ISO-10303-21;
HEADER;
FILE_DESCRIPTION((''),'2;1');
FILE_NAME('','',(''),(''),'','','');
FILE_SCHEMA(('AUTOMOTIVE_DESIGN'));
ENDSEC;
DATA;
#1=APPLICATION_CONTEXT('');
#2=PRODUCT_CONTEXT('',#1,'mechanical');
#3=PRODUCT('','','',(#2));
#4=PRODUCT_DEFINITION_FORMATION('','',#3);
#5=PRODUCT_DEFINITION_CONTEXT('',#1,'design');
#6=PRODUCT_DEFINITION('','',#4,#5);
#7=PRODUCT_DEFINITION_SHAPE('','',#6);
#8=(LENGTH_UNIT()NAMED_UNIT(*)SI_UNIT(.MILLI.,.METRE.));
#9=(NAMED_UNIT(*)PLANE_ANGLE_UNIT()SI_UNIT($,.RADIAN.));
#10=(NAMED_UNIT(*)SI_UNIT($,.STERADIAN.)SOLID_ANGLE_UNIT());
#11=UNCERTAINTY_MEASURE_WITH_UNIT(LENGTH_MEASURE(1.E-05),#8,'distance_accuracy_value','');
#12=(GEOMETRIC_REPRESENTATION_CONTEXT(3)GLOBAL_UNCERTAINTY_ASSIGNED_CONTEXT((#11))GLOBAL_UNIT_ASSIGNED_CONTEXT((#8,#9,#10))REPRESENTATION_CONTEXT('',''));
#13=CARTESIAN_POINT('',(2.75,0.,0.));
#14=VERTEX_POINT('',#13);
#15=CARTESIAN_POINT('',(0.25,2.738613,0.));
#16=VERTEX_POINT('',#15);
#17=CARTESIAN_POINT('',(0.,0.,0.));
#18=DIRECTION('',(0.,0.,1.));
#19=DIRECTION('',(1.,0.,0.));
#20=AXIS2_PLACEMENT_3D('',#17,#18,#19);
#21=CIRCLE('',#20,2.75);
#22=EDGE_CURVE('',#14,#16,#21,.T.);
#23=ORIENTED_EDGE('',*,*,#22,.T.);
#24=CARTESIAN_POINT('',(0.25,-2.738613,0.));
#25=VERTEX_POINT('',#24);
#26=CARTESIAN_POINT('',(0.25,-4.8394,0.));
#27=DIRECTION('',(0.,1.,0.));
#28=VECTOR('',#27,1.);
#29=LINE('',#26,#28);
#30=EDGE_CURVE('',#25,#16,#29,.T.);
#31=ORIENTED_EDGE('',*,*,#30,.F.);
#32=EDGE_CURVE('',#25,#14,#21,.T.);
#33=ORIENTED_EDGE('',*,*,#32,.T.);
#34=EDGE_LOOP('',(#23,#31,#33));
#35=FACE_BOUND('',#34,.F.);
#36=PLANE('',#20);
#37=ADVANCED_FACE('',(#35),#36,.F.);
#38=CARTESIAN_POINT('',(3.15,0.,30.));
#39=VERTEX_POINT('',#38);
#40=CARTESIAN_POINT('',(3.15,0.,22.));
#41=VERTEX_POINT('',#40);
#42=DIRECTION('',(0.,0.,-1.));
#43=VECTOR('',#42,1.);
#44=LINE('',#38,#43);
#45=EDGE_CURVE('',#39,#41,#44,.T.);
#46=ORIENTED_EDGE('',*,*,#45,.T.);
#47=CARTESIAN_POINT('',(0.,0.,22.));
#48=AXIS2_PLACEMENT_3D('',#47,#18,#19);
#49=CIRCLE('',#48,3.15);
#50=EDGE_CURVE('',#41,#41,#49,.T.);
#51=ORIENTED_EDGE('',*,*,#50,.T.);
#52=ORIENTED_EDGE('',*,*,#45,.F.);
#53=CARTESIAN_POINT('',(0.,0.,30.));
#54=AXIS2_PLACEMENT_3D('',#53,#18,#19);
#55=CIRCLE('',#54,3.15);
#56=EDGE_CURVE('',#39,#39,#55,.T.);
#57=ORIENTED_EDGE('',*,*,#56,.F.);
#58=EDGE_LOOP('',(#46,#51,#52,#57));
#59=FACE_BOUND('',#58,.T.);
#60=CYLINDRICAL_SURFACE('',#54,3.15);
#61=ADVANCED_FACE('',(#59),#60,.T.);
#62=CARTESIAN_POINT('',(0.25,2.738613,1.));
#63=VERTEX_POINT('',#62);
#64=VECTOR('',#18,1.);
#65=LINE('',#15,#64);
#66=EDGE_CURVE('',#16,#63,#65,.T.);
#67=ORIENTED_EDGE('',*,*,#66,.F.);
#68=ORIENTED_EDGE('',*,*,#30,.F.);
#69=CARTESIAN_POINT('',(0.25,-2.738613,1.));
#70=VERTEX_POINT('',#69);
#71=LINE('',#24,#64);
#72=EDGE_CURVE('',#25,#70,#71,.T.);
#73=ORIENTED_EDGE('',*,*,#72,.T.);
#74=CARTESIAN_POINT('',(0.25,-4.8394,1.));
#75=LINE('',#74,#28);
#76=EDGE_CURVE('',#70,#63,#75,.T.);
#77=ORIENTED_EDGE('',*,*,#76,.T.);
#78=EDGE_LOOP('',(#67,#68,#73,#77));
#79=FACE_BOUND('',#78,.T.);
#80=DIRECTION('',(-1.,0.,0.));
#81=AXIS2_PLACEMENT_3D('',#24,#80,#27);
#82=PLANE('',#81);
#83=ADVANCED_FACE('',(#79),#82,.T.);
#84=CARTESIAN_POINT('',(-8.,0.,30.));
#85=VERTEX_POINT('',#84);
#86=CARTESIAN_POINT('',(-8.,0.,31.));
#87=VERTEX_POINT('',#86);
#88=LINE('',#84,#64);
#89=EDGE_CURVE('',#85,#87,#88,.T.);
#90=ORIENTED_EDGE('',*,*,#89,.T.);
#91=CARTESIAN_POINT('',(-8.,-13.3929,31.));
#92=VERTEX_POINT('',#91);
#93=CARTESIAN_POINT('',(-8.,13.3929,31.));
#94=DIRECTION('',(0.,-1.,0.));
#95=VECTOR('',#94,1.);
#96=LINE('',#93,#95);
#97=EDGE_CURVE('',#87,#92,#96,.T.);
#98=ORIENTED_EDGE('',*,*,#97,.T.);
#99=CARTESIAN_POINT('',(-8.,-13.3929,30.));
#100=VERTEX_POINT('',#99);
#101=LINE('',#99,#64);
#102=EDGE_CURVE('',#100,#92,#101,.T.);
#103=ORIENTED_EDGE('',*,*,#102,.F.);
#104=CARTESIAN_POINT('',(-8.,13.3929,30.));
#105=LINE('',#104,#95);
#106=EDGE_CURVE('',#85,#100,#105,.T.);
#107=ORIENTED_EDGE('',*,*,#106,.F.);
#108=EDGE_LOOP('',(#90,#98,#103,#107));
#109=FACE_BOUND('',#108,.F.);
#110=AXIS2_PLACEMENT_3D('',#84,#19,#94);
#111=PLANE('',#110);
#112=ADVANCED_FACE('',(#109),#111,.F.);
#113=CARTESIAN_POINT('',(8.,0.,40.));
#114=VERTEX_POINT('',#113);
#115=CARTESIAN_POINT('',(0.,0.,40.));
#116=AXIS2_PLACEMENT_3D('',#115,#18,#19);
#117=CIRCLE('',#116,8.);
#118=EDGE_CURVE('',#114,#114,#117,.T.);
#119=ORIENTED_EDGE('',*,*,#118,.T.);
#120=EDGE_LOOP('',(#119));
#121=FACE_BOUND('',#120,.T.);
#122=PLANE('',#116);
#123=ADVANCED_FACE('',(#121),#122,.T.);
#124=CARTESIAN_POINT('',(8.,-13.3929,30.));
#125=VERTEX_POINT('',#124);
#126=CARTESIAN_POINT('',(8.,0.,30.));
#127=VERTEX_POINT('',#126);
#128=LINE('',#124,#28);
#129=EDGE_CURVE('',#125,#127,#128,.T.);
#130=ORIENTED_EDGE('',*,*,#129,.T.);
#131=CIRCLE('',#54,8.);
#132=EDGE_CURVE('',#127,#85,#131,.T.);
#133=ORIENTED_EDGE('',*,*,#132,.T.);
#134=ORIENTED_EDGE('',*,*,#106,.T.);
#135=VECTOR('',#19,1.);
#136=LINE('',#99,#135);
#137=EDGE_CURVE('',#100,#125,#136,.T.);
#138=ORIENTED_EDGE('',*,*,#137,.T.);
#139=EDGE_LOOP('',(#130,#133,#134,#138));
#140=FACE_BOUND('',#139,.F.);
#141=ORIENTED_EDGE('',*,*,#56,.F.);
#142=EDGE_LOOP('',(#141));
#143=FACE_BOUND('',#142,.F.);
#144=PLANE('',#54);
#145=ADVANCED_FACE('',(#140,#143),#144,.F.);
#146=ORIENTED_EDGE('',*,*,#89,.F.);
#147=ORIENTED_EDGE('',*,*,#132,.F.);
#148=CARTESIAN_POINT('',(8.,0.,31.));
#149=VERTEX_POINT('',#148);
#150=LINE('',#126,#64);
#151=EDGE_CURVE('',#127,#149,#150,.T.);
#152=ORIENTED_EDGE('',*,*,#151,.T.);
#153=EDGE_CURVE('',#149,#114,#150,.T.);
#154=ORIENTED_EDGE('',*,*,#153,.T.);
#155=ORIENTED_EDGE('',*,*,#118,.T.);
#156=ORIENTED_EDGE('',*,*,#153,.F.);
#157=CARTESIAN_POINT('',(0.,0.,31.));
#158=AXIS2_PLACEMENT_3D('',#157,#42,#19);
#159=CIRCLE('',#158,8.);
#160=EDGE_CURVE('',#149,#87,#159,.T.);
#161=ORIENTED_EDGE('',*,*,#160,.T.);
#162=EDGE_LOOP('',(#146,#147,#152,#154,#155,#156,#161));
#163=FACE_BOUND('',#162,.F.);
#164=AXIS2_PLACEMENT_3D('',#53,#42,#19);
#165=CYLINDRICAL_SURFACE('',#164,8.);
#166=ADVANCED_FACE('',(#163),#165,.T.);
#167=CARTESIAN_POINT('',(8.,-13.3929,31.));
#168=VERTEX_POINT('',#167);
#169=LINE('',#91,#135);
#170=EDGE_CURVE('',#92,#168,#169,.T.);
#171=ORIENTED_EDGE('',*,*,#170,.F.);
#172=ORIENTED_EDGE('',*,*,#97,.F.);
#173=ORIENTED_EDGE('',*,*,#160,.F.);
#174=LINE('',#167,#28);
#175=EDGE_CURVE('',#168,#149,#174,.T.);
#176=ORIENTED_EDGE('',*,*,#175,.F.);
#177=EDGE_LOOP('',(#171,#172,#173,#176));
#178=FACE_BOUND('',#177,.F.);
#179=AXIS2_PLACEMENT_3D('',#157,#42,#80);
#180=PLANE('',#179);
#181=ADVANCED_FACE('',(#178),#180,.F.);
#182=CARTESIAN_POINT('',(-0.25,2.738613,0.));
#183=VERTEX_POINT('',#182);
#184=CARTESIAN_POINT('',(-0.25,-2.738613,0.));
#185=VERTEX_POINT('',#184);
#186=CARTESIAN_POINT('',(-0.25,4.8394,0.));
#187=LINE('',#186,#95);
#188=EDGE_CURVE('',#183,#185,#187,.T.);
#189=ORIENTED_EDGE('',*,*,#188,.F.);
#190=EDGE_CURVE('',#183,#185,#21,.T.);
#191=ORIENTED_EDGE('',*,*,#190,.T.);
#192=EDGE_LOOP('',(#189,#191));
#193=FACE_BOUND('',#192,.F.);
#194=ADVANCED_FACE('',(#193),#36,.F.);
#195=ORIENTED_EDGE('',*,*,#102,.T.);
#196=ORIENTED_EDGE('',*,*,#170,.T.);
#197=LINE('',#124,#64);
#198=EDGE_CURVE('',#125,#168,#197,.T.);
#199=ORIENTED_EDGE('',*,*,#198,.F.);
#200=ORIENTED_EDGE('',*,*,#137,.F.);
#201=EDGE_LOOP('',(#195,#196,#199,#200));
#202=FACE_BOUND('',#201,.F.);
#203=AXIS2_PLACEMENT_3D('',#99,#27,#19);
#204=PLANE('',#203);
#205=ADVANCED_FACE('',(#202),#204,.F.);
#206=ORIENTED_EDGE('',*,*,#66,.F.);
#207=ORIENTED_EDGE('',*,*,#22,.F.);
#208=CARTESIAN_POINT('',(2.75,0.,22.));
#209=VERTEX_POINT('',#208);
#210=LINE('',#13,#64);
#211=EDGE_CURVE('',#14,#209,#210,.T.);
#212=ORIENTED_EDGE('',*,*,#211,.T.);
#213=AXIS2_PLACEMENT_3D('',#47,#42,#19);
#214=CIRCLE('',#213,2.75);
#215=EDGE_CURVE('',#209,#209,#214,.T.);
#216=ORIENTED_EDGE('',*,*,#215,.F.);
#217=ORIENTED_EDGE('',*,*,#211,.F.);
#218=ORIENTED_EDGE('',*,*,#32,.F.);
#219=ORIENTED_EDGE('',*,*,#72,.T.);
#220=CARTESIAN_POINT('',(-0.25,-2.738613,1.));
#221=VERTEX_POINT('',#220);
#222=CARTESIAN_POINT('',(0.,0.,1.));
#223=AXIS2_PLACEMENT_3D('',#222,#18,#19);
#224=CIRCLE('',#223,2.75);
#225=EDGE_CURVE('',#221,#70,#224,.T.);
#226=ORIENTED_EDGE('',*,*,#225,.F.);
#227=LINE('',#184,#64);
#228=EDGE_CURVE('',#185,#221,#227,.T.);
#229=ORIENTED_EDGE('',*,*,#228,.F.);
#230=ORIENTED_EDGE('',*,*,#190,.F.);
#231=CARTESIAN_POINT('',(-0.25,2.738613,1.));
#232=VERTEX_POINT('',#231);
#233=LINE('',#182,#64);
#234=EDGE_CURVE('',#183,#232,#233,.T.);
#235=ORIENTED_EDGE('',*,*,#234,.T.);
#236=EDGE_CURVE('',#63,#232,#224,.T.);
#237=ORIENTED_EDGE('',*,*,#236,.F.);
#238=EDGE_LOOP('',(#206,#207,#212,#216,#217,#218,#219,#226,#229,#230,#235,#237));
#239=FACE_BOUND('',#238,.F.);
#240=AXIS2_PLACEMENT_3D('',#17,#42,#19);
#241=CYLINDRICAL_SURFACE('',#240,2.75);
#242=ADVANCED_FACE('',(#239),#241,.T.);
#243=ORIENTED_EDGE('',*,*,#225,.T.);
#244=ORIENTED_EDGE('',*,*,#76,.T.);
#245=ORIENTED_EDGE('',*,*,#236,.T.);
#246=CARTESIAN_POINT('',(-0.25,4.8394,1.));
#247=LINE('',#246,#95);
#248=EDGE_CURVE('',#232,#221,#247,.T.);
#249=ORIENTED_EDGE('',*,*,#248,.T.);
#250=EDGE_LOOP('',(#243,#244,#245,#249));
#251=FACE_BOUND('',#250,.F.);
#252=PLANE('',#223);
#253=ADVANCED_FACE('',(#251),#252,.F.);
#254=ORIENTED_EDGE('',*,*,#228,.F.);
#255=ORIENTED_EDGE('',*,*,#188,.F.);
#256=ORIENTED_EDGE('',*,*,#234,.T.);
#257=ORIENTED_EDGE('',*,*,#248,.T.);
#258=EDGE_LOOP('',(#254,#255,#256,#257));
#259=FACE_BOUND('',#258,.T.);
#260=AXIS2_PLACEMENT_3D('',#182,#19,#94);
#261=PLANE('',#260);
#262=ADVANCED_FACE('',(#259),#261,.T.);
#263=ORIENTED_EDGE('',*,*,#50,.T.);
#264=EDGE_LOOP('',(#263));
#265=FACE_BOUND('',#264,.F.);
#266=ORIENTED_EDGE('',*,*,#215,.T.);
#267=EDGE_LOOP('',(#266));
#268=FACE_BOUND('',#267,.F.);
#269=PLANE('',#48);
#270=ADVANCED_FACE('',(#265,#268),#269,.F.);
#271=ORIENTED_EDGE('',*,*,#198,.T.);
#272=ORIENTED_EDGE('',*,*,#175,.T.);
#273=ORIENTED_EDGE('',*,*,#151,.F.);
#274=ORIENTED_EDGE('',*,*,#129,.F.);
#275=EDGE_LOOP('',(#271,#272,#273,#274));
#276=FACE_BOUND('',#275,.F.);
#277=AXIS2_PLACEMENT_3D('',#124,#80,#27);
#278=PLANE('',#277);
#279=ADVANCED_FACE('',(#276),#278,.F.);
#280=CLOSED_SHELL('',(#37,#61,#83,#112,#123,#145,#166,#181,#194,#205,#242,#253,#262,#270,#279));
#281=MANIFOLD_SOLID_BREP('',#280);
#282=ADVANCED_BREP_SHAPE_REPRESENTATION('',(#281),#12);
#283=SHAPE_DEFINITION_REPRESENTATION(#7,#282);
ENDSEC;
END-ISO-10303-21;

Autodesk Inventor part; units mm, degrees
ref_plane "YZ Plane" through (0, 0, 0) normal (1, 0, 0) x (0, 1, 0)
ref_plane "XZ Plane" through (0, 0, 0) normal (0, 1, 0) x (-1, 0, 0)
ref_plane "XY Plane" through (0, 0, 0) normal (0, 0, 1) x (1, 0, 0)
sketch "Sketch1" plane through (0, 0, 0) normal (0, 0, 1) x (1, 0, 0)
  circle A0 centre (0, 0) radius 2.75
  line L0 (0.25, -4.8394) -> (0.25, 4.8394)
  line L1 (0.25, 4.8394) -> (-0.25, 4.8394)
  line L2 (-0.25, 4.8394) -> (-0.25, -4.8394)
  line L3 (-0.25, -4.8394) -> (0.25, -4.8394)
  line L4 (0.25, -4.8394) -> (-0.25, 4.8394) construction
  line L5 (0.25, 4.8394) -> (-0.25, -4.8394) construction
  point P0 (-0.25, 2.7386)
  point P1 (-0.25, -2.7386)
  point P2 (0.25, -2.7386)
  point P3 (0.25, 2.7386)
  dimension "d0" = 5.5
  dimension "d1" = 0.5
extrude "Extrusion1" add sketch "Sketch1" along normal blind 30 contours A0 L0 | L0 A0 L2 | L2 A0
extrude "Extrusion2" cut sketch "Sketch1" along normal blind 1 contours L0 A0 L2
sketch "Sketch2" plane through (0, 0, 30) normal (0, 0, 1) x (1, 0, 0)
  circle A0 centre (0, 0) radius 3.15
  dimension "d6" = 6.3
extrude "Extrusion3" add sketch "Sketch2" against normal blind 8
thread "Thread1" size "M7x1" class "6g" standard "ANSI Metric M Profile" full length
sketch "Sketch3" plane through (0, 0, 30) normal (0, 0, 1) x (1, 0, 0)
  circle A0 centre (0, 0) radius 8
  dimension "d11" = 16
extrude "Extrusion4" add sketch "Sketch3" along normal blind 10
sketch "Sketch4" plane through (0, 0, 30) normal (0, 0, -1) x (-1, 0, 0)
  line L0 (-8, 13.3929) -> (8, 13.3929)
  line L1 (8, 13.3929) -> (8, -13.3929)
  line L2 (8, -13.3929) -> (-8, -13.3929)
  line L3 (-8, -13.3929) -> (-8, 13.3929)
  line L4 (-8, 13.3929) -> (8, -13.3929) construction
  line L5 (8, 13.3929) -> (-8, -13.3929) construction
  line L6 (8, 0) -> (-8, 0)
  circle A0 centre (0, 0) radius 8 projected
  point P0 (-5.7062, 5.6071)
  dimension "d17" = 19
extrude "Extrusion5" add sketch "Sketch4" against normal blind 1 contours A0 L1 L2 L3 | L6 A0 picked at (-1.8203, -3.4339)
properties part number "Potentiometer" material "ABS Plastic"
